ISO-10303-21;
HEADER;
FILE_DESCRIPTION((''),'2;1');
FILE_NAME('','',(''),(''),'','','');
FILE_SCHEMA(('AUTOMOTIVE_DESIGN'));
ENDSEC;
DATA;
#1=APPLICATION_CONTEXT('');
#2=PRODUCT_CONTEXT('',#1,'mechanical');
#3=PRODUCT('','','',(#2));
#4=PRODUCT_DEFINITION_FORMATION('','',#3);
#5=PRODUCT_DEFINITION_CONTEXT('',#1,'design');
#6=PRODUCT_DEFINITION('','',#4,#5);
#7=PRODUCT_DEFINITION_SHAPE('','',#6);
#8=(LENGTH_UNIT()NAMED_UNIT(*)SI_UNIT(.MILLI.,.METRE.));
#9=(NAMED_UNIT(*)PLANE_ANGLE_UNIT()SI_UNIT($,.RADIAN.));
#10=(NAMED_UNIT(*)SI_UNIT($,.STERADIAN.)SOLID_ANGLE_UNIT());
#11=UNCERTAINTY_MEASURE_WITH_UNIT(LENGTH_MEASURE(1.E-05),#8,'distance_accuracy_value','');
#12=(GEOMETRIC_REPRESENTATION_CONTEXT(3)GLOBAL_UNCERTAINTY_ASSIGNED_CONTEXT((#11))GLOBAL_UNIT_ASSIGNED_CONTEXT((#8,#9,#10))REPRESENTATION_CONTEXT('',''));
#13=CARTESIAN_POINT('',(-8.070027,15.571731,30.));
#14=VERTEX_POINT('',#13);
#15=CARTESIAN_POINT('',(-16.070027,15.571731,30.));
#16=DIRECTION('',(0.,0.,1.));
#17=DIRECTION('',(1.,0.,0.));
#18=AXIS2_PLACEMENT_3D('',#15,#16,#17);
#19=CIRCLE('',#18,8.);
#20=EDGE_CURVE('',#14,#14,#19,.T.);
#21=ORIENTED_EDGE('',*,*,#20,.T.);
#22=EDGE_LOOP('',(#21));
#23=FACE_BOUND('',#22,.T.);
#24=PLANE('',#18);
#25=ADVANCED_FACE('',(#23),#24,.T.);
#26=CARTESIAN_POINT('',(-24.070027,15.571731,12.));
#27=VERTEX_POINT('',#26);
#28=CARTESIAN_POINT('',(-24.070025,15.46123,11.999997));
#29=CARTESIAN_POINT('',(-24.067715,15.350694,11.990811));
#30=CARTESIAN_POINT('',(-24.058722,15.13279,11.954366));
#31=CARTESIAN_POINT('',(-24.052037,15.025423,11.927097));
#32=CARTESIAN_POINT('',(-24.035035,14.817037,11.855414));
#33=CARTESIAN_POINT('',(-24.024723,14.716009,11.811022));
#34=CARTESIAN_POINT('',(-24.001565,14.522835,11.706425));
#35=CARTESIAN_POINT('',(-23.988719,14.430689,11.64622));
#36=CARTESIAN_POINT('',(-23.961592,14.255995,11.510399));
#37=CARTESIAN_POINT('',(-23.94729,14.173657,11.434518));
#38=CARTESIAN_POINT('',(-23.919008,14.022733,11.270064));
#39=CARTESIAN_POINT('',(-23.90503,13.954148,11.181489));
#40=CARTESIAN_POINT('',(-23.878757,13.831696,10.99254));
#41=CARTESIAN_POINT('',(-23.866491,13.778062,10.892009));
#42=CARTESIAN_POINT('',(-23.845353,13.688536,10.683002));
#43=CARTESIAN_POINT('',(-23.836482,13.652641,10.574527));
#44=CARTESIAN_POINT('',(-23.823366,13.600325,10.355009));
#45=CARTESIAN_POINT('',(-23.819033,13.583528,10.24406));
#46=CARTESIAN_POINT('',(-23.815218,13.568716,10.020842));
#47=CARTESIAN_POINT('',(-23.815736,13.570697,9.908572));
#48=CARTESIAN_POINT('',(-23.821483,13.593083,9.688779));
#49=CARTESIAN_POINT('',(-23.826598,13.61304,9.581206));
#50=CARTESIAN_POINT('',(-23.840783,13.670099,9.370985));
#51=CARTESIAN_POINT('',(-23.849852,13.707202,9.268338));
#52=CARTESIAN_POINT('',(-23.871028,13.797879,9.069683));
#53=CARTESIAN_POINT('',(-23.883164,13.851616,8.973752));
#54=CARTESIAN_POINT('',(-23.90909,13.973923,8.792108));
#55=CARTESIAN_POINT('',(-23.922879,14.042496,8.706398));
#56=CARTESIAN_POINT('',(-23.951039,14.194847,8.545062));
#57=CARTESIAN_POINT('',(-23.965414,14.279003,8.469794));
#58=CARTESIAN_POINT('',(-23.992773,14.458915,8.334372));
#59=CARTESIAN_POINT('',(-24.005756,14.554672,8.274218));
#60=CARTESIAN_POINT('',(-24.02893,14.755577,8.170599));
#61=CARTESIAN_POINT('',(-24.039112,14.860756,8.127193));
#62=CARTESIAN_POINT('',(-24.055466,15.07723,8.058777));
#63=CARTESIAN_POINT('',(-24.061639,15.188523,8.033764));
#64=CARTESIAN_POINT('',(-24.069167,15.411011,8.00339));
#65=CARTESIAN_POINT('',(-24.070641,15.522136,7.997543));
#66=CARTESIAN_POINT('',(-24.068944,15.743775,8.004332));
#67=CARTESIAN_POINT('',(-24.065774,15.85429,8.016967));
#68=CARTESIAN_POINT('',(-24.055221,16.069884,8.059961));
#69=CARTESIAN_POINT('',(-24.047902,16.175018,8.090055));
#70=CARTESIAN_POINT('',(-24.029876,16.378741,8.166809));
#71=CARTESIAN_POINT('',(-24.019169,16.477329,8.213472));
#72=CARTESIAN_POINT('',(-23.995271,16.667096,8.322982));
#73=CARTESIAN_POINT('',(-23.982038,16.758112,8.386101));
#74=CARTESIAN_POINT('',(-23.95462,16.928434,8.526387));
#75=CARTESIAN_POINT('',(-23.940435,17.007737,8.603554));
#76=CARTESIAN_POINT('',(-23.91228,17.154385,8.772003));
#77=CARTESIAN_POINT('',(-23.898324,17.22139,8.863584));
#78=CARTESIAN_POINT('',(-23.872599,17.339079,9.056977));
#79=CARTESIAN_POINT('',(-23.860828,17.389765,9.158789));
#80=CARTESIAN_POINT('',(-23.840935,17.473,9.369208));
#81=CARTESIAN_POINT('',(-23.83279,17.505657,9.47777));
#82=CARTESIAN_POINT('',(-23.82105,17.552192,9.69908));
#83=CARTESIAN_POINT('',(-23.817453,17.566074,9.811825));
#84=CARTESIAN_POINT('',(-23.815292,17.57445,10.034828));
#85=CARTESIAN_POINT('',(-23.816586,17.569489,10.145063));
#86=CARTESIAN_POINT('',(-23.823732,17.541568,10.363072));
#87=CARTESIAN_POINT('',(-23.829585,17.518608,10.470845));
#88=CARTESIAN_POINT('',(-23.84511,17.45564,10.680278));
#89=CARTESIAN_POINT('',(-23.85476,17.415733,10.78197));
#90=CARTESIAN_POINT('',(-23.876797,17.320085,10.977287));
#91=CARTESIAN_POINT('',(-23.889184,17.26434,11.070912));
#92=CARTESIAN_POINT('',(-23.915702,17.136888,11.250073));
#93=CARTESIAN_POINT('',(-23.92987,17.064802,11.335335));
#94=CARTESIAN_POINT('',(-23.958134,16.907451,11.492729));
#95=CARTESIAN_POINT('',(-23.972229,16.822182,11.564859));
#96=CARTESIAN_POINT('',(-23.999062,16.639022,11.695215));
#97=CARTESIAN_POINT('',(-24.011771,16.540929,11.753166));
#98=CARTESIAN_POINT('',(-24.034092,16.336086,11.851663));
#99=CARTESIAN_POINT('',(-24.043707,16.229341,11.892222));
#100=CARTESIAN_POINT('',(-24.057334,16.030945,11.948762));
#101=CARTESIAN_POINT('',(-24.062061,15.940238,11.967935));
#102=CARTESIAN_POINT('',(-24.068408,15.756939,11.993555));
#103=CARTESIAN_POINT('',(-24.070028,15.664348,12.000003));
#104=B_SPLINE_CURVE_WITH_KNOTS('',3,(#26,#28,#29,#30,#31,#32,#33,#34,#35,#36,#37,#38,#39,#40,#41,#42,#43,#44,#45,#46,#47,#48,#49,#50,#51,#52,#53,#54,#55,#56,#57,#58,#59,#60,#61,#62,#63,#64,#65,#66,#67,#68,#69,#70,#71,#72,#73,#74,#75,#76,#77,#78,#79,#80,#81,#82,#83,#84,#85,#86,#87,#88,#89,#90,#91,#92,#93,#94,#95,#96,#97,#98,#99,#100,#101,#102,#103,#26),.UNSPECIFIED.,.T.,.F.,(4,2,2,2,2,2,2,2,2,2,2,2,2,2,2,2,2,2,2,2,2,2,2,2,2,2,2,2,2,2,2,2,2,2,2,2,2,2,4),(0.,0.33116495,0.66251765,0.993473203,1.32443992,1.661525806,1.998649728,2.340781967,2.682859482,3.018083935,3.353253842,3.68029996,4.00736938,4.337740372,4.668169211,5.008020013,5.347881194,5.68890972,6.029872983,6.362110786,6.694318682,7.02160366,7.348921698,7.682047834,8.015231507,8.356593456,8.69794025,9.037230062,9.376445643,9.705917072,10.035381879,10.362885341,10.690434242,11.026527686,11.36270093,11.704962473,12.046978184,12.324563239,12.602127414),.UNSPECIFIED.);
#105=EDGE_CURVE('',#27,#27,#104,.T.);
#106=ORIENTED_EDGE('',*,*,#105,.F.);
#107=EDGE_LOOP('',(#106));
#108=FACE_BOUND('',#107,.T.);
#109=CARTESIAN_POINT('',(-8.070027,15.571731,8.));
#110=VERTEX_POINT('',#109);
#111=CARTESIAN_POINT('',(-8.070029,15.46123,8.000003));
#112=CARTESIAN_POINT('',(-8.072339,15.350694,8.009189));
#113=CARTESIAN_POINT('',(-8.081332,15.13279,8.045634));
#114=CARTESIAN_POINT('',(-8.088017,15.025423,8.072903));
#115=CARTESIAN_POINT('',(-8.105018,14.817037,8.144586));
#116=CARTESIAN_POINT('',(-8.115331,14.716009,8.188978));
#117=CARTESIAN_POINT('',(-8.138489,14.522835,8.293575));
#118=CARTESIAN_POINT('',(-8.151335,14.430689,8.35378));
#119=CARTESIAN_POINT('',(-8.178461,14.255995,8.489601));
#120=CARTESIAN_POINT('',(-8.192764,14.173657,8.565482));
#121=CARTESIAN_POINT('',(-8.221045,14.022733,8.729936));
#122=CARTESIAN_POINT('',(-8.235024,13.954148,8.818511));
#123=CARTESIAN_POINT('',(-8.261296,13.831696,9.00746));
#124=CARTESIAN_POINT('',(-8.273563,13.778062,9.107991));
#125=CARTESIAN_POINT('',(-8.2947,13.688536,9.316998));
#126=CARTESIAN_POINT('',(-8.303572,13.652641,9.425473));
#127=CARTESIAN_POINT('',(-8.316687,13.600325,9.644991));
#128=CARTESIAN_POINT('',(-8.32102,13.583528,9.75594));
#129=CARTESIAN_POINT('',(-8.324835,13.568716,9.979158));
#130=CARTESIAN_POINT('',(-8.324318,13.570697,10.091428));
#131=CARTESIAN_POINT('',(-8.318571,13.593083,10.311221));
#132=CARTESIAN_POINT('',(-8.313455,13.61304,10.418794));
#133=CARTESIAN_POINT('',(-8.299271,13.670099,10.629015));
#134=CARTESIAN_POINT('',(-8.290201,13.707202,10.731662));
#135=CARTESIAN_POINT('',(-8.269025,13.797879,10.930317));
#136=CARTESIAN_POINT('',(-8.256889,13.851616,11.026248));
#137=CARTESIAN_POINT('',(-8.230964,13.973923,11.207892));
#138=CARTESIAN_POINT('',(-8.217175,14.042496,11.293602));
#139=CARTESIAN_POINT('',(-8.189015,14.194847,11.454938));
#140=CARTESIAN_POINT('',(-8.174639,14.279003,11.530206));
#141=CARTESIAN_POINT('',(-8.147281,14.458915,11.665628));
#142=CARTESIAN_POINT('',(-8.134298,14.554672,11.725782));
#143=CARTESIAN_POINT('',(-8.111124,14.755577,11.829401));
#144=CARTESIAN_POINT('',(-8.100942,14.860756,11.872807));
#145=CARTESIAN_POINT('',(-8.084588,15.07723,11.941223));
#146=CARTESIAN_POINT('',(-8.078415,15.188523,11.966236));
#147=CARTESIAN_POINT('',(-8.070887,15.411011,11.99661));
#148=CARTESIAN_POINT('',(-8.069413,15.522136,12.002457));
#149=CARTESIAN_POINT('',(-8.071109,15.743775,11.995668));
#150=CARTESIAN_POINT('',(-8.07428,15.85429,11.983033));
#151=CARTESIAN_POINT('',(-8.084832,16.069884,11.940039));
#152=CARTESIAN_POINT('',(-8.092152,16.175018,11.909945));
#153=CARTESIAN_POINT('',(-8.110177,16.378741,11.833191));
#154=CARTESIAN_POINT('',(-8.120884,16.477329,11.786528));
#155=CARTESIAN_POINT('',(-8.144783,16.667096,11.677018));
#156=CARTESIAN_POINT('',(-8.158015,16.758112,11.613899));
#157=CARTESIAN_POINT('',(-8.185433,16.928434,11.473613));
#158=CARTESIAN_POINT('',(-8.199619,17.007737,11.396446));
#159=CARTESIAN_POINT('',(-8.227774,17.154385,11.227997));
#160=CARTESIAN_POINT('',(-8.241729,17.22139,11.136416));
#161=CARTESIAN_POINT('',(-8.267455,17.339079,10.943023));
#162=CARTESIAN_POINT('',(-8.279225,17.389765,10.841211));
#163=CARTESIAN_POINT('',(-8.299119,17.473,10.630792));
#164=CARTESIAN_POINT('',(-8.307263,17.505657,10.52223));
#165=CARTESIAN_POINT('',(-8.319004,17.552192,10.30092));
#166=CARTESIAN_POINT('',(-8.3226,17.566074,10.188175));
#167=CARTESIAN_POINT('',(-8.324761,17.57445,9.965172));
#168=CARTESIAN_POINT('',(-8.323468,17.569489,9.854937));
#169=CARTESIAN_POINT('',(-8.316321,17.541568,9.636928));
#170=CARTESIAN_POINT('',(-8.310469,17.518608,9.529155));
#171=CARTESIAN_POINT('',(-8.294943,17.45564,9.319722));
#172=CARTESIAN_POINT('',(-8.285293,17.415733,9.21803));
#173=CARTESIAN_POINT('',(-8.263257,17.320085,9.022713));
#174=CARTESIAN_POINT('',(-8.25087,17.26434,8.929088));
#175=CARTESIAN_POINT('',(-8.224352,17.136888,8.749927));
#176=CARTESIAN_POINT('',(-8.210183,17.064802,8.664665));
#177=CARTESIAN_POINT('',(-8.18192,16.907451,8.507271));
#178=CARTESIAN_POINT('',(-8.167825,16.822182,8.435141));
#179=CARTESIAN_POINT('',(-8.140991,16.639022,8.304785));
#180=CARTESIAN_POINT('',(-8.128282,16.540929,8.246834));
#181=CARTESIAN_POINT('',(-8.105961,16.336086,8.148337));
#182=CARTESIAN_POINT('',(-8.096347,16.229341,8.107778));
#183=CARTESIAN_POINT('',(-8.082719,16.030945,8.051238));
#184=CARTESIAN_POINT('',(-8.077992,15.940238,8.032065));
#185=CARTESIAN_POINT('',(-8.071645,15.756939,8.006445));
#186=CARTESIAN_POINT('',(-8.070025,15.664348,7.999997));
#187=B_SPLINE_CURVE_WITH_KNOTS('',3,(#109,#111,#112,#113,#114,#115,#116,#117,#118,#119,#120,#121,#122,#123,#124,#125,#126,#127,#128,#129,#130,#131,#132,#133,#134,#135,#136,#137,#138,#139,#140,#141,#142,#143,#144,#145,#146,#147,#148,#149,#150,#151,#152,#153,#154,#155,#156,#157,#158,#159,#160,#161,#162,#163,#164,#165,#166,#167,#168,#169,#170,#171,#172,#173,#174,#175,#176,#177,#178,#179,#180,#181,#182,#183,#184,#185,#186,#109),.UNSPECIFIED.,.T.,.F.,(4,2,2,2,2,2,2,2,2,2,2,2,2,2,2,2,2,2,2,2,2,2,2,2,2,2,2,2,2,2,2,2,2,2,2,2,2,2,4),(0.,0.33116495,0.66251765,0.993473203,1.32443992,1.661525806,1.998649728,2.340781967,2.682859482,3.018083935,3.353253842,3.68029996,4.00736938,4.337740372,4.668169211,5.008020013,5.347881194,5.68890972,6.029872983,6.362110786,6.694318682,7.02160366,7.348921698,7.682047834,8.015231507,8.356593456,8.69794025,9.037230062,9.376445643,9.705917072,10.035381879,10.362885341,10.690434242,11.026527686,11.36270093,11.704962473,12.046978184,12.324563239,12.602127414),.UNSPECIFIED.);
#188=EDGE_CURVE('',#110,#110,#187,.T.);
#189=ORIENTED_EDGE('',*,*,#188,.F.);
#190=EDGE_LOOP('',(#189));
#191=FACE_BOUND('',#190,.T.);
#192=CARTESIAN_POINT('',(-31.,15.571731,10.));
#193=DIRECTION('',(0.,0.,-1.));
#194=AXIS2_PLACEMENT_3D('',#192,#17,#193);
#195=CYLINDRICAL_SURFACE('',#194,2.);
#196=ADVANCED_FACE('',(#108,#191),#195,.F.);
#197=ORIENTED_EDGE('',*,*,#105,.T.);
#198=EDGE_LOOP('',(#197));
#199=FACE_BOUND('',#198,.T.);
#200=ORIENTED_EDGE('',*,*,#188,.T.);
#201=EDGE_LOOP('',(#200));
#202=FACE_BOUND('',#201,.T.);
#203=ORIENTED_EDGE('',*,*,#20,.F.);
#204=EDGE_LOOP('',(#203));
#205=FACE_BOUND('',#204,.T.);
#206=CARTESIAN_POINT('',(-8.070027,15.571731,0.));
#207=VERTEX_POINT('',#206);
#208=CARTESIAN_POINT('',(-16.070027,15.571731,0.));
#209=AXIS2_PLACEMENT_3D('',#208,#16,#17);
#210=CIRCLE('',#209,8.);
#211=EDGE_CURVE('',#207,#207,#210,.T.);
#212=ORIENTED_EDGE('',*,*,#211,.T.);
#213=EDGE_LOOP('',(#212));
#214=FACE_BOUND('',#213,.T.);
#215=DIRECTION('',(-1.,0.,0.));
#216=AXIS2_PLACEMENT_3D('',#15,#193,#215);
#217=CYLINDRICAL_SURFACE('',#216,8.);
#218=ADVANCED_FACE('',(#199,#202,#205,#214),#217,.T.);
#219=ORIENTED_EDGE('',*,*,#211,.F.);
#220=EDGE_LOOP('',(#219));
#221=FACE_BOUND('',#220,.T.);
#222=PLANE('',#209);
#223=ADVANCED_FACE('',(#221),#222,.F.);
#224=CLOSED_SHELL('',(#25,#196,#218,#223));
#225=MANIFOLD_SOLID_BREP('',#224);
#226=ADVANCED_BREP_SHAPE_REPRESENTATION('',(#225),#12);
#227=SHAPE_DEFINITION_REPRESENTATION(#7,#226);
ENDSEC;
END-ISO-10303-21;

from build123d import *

# Parameters (mm, degrees)
SKETCH_1_R          = 8
EXTRUDE_1_DEPTH     = 30
SKETCH_2_R          = 2
CUT_EXTRUDE_1_DEPTH = 31


with BuildPart() as part:
    # 草图1 → 凸台-拉伸1 (new body)
    with BuildSketch(Plane.XY):
        with Locations((-16.070026793, 15.571731389)):
            Circle(SKETCH_1_R)
    extrude(amount=EXTRUDE_1_DEPTH)

    # 草图2 → 切除-拉伸1 (cut)
    with BuildSketch(Plane(origin=(0, 0, 0), x_dir=(0, 0, -1), z_dir=(1, 0, 0))):
        with Locations((-10, 15.571731389)):
            Circle(SKETCH_2_R)
    extrude(amount=-CUT_EXTRUDE_1_DEPTH, mode=Mode.SUBTRACT)


solid = part.part
